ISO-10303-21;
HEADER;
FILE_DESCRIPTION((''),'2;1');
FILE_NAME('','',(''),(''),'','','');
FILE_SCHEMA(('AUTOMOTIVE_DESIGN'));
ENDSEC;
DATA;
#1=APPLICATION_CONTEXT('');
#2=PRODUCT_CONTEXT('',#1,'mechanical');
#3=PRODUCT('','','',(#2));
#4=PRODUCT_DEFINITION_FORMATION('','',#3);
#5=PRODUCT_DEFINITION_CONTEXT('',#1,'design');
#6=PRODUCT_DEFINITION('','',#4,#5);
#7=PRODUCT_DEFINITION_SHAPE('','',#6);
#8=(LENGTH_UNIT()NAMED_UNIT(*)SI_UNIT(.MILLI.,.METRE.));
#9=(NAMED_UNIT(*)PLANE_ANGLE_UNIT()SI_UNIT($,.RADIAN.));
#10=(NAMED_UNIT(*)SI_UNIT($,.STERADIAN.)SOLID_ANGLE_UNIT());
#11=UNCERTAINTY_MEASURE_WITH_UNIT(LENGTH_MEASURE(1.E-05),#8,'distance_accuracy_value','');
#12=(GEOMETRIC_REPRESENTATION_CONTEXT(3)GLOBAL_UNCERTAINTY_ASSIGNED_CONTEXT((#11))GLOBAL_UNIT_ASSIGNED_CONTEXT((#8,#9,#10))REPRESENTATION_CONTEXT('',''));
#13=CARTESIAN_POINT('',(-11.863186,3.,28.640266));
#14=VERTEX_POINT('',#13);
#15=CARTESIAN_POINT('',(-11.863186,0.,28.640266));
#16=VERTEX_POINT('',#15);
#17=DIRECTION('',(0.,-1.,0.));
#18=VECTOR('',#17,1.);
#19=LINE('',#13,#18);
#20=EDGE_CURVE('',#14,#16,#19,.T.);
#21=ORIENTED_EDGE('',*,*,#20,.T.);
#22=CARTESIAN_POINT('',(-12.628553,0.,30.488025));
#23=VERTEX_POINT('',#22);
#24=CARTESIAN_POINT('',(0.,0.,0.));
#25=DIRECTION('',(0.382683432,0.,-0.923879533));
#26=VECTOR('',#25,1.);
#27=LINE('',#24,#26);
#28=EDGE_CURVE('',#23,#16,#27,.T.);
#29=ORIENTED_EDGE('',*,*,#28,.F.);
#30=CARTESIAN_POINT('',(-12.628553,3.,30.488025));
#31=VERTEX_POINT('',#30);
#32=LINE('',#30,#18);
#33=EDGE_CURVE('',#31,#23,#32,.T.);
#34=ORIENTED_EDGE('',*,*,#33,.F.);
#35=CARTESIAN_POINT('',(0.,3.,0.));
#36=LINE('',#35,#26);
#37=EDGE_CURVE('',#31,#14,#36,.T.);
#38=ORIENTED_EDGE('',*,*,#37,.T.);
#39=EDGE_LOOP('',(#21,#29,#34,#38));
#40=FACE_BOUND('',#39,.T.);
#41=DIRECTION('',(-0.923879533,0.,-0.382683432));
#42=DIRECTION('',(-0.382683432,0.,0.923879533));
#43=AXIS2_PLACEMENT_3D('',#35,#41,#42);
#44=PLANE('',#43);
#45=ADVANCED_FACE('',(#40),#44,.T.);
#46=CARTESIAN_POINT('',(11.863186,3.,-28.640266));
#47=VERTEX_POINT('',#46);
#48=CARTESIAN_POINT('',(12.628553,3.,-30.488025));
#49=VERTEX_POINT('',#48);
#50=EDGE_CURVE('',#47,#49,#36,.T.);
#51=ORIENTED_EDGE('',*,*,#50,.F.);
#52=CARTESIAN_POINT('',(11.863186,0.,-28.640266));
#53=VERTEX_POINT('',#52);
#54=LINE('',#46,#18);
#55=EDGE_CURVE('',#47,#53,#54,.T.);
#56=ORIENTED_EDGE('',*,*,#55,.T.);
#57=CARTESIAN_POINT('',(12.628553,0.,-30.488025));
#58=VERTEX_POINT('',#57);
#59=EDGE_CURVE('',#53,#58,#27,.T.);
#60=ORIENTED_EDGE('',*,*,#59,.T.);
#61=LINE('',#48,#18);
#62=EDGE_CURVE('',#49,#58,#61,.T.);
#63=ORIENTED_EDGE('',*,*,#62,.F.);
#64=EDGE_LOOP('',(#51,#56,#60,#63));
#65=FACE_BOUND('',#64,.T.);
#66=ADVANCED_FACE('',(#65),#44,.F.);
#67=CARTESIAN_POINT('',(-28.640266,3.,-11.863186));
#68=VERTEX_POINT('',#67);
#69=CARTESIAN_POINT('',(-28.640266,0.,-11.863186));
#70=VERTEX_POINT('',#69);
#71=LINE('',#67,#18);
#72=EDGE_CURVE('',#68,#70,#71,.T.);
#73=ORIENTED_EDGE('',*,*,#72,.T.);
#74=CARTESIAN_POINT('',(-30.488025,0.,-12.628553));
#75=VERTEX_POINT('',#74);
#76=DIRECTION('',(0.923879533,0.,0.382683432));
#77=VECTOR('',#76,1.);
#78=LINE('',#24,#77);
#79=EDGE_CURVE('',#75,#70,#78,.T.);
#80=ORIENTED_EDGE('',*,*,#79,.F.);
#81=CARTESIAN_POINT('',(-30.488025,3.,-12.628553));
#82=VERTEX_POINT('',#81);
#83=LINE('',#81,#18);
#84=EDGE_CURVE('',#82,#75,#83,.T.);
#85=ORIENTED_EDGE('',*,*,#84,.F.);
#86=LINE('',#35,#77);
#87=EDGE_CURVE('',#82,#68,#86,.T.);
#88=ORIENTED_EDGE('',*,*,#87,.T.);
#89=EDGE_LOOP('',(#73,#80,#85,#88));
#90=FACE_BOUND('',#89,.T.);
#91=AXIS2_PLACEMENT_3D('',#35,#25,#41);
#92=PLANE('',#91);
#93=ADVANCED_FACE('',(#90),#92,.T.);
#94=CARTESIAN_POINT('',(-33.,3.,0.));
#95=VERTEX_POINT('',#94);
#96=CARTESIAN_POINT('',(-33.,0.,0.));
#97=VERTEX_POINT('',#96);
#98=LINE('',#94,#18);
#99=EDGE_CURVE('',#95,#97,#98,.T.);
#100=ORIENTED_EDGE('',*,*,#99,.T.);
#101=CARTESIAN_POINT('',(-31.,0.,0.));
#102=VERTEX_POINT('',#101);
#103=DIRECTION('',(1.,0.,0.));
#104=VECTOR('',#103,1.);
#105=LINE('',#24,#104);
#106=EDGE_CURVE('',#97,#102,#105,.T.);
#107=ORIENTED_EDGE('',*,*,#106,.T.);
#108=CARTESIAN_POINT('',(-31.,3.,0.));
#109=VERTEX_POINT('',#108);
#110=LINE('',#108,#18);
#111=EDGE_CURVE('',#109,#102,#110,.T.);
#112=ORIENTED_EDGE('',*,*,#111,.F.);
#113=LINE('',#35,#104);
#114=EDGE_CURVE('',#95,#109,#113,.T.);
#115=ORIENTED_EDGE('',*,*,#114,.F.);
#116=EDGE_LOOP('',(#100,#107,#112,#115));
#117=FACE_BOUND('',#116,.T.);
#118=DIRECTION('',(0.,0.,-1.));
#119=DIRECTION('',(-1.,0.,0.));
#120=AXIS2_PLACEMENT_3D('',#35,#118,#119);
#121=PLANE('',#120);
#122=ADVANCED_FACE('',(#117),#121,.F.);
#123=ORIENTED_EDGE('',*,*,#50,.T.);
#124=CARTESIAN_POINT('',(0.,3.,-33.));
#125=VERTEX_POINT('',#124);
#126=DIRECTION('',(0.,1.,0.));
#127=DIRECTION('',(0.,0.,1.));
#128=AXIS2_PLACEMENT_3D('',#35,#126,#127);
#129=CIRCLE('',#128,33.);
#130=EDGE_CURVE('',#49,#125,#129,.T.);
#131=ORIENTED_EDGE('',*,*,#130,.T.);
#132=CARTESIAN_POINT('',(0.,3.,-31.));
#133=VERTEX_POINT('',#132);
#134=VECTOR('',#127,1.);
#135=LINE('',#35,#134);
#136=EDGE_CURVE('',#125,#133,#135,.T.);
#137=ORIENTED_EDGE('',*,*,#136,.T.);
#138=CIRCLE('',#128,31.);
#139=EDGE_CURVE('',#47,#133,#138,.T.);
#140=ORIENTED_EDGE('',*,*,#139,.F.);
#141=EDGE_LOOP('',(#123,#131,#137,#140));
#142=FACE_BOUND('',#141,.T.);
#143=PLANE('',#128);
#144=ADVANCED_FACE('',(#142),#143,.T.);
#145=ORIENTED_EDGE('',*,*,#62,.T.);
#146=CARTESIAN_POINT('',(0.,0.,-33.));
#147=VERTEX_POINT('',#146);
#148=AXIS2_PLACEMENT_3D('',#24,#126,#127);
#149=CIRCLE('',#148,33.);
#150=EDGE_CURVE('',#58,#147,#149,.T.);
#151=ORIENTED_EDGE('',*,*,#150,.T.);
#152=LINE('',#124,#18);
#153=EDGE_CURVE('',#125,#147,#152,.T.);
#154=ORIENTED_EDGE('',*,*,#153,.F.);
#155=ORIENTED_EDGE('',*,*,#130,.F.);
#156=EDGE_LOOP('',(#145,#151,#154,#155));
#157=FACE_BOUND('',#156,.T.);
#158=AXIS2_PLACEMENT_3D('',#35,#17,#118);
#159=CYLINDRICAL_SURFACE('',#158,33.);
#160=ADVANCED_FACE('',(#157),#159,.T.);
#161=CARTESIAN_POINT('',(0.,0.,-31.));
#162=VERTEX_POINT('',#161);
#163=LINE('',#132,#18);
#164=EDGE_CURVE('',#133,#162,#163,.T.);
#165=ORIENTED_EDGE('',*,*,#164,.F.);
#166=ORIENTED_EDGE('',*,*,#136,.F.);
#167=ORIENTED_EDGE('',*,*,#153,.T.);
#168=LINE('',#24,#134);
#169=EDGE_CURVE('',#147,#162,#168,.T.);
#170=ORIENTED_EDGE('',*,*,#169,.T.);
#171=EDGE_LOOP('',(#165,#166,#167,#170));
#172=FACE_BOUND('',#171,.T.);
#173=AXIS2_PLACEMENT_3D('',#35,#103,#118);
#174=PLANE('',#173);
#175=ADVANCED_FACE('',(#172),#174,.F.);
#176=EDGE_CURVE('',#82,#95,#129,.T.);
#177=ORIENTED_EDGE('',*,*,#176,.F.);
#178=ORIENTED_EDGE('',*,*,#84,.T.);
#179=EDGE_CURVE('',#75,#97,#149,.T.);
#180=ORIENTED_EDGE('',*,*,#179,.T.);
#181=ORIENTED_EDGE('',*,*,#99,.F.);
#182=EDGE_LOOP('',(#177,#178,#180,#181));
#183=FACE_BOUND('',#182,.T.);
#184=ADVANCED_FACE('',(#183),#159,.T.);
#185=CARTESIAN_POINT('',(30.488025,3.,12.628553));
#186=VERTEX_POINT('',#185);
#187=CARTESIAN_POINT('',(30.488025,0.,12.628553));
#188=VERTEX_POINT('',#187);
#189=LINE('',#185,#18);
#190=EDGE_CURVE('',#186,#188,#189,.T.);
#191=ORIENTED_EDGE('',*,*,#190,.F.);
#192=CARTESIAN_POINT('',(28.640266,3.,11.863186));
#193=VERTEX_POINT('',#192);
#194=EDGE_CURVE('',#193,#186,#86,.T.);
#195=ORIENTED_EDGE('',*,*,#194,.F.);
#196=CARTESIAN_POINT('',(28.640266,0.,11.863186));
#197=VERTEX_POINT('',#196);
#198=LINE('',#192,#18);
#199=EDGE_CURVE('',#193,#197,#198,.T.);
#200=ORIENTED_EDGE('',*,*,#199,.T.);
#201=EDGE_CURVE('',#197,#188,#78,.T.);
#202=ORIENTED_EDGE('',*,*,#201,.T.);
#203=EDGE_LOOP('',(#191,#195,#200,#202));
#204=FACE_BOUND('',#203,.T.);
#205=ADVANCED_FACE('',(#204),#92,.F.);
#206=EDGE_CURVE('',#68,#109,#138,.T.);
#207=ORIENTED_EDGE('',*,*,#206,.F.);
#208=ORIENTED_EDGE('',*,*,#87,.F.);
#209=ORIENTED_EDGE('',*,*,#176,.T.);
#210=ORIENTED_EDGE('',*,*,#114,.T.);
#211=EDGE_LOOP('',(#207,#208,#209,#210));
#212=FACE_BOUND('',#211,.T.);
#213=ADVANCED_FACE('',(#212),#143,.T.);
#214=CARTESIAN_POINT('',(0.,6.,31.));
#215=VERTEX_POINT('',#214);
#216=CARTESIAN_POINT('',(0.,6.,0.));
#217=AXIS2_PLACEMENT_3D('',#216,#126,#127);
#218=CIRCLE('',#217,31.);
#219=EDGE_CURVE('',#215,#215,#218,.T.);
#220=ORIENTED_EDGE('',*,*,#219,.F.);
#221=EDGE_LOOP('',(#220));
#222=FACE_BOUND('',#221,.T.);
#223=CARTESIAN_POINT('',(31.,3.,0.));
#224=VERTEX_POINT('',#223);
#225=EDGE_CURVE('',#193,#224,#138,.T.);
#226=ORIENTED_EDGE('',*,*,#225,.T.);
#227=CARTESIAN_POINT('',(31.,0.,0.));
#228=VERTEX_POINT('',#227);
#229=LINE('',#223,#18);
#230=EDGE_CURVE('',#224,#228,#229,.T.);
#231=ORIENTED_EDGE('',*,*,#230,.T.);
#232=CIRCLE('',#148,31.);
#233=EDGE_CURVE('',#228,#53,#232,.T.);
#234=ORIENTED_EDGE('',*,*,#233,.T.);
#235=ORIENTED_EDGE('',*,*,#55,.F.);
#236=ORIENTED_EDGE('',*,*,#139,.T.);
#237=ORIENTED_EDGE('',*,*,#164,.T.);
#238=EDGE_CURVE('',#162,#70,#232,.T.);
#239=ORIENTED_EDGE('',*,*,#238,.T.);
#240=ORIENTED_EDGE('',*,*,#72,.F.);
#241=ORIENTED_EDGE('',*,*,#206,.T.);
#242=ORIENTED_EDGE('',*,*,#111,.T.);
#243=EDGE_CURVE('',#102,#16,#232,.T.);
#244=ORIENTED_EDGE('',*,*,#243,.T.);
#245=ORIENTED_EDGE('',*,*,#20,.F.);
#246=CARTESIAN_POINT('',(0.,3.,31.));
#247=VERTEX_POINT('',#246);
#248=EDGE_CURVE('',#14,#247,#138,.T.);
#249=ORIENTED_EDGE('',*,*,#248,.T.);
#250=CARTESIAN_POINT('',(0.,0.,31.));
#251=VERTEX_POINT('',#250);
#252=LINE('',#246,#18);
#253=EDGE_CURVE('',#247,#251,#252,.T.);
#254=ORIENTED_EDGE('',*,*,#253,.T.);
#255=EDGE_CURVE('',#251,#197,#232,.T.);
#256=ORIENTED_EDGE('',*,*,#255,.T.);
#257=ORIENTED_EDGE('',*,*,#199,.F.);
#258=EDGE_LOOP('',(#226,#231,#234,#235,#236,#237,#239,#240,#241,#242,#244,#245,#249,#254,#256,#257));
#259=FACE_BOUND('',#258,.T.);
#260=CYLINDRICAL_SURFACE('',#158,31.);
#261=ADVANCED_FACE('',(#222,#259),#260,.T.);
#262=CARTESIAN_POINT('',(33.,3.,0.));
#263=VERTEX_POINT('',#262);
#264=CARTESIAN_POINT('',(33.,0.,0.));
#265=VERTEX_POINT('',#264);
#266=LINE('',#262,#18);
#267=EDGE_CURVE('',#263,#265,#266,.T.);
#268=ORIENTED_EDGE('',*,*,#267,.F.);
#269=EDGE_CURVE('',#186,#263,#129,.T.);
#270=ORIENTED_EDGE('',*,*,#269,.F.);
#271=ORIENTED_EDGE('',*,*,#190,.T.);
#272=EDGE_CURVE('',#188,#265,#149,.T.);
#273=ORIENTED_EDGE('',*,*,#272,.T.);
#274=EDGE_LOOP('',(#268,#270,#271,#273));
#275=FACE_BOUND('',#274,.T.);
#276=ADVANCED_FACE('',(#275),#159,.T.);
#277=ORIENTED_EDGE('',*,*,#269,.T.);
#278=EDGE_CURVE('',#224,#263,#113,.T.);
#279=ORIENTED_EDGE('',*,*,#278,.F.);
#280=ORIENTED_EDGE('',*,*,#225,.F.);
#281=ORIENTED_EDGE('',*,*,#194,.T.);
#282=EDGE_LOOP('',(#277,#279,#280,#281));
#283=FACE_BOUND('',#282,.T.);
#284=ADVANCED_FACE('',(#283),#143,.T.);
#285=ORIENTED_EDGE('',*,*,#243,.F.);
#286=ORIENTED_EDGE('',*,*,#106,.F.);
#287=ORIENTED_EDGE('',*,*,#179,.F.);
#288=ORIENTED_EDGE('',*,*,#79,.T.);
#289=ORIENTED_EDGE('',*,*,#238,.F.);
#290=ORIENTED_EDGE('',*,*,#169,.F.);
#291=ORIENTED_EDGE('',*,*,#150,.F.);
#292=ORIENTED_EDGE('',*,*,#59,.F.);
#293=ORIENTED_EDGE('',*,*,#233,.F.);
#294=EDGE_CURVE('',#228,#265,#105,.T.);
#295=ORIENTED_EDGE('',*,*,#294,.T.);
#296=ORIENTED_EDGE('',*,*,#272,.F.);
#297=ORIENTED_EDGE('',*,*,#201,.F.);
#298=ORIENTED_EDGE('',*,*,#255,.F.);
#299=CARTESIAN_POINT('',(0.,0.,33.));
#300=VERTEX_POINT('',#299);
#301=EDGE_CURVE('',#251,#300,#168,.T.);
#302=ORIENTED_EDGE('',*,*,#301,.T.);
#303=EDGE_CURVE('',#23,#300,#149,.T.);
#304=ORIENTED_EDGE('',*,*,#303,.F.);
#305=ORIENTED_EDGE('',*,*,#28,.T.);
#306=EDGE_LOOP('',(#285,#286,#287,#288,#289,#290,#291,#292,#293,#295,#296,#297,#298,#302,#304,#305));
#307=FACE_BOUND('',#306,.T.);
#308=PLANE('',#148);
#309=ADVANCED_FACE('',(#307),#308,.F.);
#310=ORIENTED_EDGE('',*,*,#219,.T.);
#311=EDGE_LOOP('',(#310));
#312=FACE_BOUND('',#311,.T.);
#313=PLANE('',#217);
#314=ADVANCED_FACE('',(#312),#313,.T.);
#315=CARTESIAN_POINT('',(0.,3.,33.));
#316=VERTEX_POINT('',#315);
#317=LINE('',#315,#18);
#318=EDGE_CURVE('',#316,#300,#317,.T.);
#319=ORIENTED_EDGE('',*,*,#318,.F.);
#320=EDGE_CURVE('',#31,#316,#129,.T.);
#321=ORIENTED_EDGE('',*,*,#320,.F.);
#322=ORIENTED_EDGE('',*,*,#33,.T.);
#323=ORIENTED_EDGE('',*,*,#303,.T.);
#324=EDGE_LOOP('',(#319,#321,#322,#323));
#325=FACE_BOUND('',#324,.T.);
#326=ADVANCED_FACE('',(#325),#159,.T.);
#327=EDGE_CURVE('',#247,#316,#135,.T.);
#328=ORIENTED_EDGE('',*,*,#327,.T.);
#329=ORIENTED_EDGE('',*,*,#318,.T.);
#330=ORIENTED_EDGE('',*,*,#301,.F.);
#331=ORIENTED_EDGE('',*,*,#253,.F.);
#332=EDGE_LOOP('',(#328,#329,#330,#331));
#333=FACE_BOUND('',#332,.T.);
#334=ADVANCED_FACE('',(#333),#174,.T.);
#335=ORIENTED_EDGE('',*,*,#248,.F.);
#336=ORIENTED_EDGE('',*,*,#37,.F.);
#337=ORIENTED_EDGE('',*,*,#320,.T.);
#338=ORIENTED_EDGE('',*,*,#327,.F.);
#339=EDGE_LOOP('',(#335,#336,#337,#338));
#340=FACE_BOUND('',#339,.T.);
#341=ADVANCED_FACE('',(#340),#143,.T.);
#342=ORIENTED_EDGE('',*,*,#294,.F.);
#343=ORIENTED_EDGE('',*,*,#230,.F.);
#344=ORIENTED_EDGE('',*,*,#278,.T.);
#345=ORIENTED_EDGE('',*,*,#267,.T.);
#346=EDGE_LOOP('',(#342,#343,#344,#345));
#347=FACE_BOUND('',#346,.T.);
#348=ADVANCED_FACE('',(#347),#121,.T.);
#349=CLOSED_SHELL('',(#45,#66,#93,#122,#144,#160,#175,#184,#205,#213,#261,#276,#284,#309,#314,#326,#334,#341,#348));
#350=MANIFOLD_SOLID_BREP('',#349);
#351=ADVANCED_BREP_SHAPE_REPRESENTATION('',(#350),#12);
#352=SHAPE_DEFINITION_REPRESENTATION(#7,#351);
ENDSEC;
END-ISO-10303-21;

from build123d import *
from build123d.topology import SkipClean

# Parameters (mm, degrees)
SKETCH8_R            = 31
BOSS_EXTRUDE9_DEPTH  = 3
SKETCH11_R           = 31
BOSS_EXTRUDE10_DEPTH = 3


with BuildPart() as part:
    # Sketch8 → Boss-Extrude9 (new body)
    with BuildSketch(Plane(origin=(0, 0, 0), x_dir=(1, 0, 0), z_dir=(0, 1, 0))):
        Circle(SKETCH8_R)
        with BuildLine():
            ThreePointArc((0, -31), (-6.047799982, -30.404343693), (-11.863186403, -28.640265508))
            Line((-11.863186403, -28.640265508), (-12.628553268, -30.488024573))
            ThreePointArc((-12.628553268, -30.488024573), (-6.437980627, -32.365914253), (0, -33))
            Line((0, -33), (0, -31))
        make_face()
        with BuildLine():
            ThreePointArc((-31, 0), (-30.404343693, 6.047799982), (-28.640265508, 11.863186403))
            Line((-28.640265508, 11.863186403), (-30.488024573, 12.628553268))
            ThreePointArc((-30.488024573, 12.628553268), (-32.365914253, 6.437980627), (-33, 0))
            Line((-33, 0), (-31, 0))
        make_face()
        with BuildLine():
            ThreePointArc((12.628553268, 30.488024573), (6.437980627, 32.365914253), (0, 33))
            Line((0, 33), (0, 31))
            ThreePointArc((0, 31), (6.047799982, 30.404343693), (11.863186403, 28.640265508))
            Line((11.863186403, 28.640265508), (12.628553268, 30.488024573))
        make_face()
        with BuildLine():
            Line((33, 0), (31, 0))
            ThreePointArc((31, 0), (30.404343693, -6.047799982), (28.640265508, -11.863186403))
            Line((28.640265508, -11.863186403), (30.488024573, -12.628553268))
            ThreePointArc((30.488024573, -12.628553268), (32.365914253, -6.437980627), (33, 0))
        make_face()
    extrude(amount=BOSS_EXTRUDE9_DEPTH)

    # Sketch11 → Boss-Extrude10 (add)
    with SkipClean():  # the faces are left unmerged after this step: merging them gives an invalid solid
        with BuildSketch(Plane(origin=(0, 3, 0), x_dir=(1, 0, 0), z_dir=(0, 1, 0))):
            with Locations(Location((0, 0, 0), (0, 0, 270))):
                Circle(SKETCH11_R)
        extrude(amount=BOSS_EXTRUDE10_DEPTH)


solid = part.part
